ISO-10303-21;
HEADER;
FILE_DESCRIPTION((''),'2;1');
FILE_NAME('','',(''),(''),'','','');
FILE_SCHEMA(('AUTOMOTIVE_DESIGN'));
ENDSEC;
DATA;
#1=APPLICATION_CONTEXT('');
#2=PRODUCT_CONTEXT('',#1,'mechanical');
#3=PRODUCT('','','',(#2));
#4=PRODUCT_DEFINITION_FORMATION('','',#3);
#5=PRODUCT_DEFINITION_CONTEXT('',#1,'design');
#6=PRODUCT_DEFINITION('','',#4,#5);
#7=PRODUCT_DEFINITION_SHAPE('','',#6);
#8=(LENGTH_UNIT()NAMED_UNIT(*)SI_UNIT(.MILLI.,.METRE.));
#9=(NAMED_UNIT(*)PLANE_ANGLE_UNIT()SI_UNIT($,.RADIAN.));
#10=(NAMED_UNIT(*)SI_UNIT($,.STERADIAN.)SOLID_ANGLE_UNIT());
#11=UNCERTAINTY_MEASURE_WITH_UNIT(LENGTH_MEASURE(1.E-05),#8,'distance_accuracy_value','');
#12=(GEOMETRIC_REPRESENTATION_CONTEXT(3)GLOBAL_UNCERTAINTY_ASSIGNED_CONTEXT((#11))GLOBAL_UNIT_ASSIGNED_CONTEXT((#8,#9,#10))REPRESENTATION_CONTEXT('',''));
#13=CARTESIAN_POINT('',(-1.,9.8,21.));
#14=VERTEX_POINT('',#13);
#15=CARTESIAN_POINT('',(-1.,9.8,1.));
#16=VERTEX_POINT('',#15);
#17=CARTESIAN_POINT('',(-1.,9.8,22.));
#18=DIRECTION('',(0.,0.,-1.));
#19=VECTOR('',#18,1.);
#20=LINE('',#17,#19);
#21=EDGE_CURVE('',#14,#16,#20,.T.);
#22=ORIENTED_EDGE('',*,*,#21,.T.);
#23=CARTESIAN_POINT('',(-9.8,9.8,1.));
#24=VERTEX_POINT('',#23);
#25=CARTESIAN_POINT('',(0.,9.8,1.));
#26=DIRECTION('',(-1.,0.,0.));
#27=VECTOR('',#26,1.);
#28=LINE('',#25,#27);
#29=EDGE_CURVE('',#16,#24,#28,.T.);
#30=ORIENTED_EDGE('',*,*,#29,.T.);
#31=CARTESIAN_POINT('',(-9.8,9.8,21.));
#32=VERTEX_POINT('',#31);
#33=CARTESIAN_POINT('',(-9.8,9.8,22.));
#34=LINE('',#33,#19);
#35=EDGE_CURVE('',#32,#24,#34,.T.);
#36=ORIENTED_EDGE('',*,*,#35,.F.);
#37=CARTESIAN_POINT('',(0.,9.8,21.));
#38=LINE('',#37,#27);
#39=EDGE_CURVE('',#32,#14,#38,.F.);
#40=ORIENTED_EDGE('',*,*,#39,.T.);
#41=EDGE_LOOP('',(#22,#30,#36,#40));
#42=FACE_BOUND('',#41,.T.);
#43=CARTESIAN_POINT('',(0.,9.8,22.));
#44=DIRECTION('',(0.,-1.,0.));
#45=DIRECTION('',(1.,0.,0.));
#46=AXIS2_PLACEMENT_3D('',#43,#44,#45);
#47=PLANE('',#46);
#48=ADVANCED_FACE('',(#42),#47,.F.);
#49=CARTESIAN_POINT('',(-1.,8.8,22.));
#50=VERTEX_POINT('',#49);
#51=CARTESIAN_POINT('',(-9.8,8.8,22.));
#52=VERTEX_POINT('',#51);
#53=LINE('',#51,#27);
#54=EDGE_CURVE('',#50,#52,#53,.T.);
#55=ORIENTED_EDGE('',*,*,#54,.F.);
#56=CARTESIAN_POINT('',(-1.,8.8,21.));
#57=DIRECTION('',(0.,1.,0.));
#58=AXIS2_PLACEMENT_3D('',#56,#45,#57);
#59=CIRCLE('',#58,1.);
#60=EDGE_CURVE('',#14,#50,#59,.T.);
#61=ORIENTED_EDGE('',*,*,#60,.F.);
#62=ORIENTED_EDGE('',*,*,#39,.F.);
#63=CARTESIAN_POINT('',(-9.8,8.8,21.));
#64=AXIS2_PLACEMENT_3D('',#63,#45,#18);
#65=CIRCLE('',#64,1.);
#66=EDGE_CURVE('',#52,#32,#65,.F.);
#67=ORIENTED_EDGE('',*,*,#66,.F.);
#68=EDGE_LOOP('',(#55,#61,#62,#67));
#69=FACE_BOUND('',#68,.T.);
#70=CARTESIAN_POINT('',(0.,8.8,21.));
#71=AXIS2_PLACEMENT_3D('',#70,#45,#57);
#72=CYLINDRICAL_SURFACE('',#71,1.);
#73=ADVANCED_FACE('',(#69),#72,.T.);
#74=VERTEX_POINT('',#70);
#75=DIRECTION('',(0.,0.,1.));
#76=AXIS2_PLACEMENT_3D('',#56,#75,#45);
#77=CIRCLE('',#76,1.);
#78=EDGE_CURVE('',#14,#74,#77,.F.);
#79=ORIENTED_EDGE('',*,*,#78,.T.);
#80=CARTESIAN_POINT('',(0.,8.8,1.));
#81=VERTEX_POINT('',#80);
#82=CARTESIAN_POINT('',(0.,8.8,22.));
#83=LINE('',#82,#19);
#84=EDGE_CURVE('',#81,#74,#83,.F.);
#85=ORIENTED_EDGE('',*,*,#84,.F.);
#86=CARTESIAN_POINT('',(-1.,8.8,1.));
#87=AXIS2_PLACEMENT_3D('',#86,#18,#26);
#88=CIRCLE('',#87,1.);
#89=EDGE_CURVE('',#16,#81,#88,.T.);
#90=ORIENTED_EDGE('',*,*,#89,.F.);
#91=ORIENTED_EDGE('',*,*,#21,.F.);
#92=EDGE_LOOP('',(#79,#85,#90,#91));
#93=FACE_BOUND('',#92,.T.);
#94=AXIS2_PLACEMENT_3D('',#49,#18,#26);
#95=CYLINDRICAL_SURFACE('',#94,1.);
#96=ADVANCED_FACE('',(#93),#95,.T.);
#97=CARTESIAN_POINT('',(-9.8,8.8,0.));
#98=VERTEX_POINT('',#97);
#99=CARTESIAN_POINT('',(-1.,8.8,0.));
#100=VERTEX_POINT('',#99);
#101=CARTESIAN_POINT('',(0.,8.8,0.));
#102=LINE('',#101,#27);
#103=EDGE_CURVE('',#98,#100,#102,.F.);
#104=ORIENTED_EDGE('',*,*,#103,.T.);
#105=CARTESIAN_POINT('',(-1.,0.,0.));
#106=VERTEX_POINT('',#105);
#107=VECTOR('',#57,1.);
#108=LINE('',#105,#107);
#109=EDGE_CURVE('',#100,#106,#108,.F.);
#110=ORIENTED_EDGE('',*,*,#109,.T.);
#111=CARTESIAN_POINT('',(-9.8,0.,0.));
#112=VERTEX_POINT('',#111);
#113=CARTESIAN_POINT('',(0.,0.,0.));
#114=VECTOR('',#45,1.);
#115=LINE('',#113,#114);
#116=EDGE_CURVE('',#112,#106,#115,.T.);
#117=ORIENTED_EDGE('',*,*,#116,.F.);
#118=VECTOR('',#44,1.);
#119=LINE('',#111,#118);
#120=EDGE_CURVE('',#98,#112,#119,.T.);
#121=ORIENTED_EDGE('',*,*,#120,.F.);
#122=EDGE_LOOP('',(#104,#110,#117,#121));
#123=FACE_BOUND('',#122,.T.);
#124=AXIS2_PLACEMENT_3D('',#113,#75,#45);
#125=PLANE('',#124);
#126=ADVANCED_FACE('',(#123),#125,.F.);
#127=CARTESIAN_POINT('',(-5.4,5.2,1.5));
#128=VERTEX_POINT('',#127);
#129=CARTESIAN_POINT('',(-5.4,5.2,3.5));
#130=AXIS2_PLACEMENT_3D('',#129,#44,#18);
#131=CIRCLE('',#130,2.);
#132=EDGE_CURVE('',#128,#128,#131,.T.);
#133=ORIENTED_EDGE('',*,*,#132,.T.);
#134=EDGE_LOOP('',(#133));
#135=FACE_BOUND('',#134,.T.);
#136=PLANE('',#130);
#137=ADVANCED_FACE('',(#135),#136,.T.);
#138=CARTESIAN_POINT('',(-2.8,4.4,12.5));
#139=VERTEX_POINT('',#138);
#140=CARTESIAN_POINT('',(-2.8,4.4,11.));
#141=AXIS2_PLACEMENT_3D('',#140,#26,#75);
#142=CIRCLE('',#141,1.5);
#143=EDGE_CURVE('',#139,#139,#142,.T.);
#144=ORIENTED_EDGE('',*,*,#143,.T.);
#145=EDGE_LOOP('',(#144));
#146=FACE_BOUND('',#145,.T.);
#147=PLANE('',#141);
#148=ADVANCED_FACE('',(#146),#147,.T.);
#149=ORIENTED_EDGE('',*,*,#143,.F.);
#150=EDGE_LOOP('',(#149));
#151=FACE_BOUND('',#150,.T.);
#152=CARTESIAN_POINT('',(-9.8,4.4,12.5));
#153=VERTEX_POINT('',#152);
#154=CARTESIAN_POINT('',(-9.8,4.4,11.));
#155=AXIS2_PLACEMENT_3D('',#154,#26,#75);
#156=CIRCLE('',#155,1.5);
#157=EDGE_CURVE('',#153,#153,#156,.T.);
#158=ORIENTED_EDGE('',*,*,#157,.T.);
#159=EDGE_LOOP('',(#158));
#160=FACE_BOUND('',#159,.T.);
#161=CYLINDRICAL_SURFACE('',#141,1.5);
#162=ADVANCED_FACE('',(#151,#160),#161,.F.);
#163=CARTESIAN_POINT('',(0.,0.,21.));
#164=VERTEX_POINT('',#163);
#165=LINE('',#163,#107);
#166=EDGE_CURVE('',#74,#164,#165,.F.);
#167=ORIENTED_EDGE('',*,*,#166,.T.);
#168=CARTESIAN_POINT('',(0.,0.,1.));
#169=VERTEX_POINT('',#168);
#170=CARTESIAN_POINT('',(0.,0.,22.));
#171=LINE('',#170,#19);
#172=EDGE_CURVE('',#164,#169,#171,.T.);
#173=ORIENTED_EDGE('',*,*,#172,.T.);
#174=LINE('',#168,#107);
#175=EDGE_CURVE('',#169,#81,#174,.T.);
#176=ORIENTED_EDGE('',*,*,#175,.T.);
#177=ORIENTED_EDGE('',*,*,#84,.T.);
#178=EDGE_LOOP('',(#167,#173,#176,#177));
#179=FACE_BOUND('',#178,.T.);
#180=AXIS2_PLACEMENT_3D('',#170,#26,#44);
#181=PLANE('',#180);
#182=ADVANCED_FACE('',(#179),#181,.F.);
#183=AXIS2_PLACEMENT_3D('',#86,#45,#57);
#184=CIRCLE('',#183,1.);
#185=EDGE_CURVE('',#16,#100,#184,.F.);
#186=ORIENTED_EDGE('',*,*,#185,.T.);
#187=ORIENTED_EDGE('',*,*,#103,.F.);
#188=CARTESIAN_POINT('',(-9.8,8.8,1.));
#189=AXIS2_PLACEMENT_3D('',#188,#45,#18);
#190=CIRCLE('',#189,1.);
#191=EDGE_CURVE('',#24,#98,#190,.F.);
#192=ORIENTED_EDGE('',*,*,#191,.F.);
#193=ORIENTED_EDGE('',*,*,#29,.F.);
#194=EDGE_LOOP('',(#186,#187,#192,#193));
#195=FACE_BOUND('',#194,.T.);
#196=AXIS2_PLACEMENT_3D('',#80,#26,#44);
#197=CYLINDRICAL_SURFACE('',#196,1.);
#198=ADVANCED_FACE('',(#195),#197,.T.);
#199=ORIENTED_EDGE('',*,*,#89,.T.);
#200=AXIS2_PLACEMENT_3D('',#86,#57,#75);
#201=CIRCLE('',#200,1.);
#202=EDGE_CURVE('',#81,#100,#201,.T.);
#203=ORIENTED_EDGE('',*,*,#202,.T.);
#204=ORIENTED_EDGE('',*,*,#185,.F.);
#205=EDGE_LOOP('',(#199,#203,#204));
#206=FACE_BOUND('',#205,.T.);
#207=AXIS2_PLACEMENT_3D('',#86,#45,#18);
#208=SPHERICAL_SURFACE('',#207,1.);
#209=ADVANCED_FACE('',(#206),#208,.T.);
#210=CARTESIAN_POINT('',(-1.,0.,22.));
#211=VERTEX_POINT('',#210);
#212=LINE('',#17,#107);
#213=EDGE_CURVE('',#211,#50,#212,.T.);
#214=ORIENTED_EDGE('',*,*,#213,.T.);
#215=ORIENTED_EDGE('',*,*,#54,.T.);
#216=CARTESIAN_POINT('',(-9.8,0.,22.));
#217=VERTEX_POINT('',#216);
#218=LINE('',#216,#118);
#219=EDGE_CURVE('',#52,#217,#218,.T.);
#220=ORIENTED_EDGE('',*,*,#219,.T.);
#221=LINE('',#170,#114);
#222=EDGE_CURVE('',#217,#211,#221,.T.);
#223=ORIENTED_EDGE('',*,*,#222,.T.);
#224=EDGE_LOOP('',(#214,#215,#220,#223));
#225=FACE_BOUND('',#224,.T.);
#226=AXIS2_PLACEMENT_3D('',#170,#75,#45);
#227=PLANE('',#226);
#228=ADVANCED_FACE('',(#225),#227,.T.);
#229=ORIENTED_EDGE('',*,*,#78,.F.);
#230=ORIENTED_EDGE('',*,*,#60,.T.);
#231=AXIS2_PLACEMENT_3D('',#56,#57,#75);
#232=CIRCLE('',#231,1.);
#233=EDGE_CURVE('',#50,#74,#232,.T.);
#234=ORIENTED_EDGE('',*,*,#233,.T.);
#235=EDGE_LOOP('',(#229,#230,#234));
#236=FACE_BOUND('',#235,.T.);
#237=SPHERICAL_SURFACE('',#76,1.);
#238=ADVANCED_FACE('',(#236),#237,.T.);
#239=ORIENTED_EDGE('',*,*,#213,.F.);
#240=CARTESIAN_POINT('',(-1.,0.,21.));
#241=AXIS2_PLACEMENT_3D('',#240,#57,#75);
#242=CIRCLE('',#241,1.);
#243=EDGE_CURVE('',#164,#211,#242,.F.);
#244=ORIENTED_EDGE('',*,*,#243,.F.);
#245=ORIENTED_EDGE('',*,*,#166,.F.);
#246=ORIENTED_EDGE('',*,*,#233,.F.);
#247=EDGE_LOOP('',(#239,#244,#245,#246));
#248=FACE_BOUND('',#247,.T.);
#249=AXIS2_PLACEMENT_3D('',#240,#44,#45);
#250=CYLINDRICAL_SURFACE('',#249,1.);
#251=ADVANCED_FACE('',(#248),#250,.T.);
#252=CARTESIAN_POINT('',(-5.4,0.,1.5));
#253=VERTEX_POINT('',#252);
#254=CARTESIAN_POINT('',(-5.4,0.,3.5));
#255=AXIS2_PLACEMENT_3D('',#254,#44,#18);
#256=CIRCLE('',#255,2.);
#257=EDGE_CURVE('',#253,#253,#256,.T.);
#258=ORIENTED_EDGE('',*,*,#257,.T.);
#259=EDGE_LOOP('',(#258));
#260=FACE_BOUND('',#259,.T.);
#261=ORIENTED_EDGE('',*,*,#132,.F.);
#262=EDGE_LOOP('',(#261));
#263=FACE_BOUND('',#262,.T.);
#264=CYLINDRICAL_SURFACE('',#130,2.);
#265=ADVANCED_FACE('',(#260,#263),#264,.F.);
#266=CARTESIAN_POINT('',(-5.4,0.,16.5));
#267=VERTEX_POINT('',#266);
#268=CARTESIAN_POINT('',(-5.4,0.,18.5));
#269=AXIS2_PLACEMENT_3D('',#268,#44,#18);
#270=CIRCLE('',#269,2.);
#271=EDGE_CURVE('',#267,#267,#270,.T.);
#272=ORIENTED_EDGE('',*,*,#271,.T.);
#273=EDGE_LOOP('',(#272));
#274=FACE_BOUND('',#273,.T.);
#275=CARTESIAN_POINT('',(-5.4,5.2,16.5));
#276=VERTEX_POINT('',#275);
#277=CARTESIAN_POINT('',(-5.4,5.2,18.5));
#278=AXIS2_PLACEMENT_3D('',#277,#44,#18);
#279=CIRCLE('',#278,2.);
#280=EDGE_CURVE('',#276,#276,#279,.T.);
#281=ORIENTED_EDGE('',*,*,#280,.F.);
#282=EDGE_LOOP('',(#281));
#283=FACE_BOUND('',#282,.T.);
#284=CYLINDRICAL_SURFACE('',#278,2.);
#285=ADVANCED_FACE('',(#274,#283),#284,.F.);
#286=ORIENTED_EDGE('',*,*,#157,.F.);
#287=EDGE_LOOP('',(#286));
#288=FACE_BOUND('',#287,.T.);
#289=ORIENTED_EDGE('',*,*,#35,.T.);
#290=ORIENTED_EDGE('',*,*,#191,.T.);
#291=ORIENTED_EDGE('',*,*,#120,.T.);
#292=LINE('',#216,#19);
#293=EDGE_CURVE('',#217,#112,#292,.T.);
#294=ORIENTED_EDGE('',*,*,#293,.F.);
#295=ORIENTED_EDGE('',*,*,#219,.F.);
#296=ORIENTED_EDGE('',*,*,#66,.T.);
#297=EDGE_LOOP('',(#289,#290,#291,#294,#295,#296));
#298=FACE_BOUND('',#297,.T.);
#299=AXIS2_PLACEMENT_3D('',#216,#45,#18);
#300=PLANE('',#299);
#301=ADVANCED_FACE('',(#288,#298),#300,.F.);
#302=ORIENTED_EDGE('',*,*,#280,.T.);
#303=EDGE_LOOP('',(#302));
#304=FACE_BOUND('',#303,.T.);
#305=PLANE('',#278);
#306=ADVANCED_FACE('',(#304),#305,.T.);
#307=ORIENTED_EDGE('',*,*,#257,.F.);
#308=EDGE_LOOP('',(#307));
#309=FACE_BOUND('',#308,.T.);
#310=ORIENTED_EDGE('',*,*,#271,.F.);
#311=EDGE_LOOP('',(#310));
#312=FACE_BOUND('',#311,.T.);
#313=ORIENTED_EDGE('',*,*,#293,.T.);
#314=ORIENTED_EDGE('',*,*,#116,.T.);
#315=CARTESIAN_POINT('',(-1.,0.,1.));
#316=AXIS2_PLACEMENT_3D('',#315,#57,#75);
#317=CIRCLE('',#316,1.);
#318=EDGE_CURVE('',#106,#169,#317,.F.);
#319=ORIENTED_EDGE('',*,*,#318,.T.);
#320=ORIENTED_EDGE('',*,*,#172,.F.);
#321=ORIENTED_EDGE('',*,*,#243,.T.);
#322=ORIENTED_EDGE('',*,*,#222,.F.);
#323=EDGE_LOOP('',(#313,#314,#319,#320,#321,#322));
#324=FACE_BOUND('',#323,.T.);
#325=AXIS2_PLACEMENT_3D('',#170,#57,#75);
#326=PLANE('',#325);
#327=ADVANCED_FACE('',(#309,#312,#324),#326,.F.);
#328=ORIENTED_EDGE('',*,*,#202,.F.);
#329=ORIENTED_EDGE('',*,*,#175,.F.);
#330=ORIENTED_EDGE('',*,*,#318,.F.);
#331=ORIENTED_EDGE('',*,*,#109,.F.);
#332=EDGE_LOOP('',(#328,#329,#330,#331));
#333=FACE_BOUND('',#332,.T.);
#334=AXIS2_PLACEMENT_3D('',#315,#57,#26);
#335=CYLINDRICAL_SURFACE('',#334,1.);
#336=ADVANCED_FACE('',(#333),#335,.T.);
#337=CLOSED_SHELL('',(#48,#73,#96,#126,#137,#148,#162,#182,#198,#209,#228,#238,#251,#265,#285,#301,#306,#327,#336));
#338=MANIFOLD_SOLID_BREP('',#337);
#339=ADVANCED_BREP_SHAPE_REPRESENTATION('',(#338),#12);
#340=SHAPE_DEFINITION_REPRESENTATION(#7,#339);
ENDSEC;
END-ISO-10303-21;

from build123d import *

# Parameters (mm, degrees)
CROQUIS1_W              = 9.8
CROQUIS1_H              = 9.8
SALIENTE_EXTRUIR1_DEPTH = 22
REDONDEO1_R             = 1
CROQUIS2_R              = 1.5
CORTAR_EXTRUIR1_DEPTH   = 7
CROQUIS3_R              = 2
CORTAR_EXTRUIR2_DEPTH   = 5.2


with BuildPart() as part:
    # Croquis1 → Saliente-Extruir1 (new body)
    with BuildSketch(Plane.XY):
        with Locations((-4.9, 4.9)):
            Rectangle(CROQUIS1_W, CROQUIS1_H)
    extrude(amount=SALIENTE_EXTRUIR1_DEPTH)

    # Redondeo1
    redondeo1_edges = [part.edges().sort_by_distance(p)[0] for p in [
        (0, 4.9, 22),
        (-4.9, 9.8, 0),
        (0, 4.9, 0),
        (0, 9.8, 11),
        (-4.9, 9.8, 22),
    ]]
    fillet(redondeo1_edges, radius=REDONDEO1_R)

    # Croquis2 → Cortar-Extruir1 (cut)
    with BuildSketch(Plane.ZY.offset(9.8)):
        with Locations((11, 4.4)):
            Circle(CROQUIS2_R)
    extrude(amount=-CORTAR_EXTRUIR1_DEPTH, mode=Mode.SUBTRACT)

    # Croquis3 → Cortar-Extruir2 (cut)
    with BuildSketch(Plane.XZ):
        with Locations((-5.4, 18.5)):
            Circle(CROQUIS3_R)
        with Locations((-5.4, 3.5)):
            Circle(CROQUIS3_R)
    extrude(amount=-CORTAR_EXTRUIR2_DEPTH, mode=Mode.SUBTRACT)


solid = part.part
